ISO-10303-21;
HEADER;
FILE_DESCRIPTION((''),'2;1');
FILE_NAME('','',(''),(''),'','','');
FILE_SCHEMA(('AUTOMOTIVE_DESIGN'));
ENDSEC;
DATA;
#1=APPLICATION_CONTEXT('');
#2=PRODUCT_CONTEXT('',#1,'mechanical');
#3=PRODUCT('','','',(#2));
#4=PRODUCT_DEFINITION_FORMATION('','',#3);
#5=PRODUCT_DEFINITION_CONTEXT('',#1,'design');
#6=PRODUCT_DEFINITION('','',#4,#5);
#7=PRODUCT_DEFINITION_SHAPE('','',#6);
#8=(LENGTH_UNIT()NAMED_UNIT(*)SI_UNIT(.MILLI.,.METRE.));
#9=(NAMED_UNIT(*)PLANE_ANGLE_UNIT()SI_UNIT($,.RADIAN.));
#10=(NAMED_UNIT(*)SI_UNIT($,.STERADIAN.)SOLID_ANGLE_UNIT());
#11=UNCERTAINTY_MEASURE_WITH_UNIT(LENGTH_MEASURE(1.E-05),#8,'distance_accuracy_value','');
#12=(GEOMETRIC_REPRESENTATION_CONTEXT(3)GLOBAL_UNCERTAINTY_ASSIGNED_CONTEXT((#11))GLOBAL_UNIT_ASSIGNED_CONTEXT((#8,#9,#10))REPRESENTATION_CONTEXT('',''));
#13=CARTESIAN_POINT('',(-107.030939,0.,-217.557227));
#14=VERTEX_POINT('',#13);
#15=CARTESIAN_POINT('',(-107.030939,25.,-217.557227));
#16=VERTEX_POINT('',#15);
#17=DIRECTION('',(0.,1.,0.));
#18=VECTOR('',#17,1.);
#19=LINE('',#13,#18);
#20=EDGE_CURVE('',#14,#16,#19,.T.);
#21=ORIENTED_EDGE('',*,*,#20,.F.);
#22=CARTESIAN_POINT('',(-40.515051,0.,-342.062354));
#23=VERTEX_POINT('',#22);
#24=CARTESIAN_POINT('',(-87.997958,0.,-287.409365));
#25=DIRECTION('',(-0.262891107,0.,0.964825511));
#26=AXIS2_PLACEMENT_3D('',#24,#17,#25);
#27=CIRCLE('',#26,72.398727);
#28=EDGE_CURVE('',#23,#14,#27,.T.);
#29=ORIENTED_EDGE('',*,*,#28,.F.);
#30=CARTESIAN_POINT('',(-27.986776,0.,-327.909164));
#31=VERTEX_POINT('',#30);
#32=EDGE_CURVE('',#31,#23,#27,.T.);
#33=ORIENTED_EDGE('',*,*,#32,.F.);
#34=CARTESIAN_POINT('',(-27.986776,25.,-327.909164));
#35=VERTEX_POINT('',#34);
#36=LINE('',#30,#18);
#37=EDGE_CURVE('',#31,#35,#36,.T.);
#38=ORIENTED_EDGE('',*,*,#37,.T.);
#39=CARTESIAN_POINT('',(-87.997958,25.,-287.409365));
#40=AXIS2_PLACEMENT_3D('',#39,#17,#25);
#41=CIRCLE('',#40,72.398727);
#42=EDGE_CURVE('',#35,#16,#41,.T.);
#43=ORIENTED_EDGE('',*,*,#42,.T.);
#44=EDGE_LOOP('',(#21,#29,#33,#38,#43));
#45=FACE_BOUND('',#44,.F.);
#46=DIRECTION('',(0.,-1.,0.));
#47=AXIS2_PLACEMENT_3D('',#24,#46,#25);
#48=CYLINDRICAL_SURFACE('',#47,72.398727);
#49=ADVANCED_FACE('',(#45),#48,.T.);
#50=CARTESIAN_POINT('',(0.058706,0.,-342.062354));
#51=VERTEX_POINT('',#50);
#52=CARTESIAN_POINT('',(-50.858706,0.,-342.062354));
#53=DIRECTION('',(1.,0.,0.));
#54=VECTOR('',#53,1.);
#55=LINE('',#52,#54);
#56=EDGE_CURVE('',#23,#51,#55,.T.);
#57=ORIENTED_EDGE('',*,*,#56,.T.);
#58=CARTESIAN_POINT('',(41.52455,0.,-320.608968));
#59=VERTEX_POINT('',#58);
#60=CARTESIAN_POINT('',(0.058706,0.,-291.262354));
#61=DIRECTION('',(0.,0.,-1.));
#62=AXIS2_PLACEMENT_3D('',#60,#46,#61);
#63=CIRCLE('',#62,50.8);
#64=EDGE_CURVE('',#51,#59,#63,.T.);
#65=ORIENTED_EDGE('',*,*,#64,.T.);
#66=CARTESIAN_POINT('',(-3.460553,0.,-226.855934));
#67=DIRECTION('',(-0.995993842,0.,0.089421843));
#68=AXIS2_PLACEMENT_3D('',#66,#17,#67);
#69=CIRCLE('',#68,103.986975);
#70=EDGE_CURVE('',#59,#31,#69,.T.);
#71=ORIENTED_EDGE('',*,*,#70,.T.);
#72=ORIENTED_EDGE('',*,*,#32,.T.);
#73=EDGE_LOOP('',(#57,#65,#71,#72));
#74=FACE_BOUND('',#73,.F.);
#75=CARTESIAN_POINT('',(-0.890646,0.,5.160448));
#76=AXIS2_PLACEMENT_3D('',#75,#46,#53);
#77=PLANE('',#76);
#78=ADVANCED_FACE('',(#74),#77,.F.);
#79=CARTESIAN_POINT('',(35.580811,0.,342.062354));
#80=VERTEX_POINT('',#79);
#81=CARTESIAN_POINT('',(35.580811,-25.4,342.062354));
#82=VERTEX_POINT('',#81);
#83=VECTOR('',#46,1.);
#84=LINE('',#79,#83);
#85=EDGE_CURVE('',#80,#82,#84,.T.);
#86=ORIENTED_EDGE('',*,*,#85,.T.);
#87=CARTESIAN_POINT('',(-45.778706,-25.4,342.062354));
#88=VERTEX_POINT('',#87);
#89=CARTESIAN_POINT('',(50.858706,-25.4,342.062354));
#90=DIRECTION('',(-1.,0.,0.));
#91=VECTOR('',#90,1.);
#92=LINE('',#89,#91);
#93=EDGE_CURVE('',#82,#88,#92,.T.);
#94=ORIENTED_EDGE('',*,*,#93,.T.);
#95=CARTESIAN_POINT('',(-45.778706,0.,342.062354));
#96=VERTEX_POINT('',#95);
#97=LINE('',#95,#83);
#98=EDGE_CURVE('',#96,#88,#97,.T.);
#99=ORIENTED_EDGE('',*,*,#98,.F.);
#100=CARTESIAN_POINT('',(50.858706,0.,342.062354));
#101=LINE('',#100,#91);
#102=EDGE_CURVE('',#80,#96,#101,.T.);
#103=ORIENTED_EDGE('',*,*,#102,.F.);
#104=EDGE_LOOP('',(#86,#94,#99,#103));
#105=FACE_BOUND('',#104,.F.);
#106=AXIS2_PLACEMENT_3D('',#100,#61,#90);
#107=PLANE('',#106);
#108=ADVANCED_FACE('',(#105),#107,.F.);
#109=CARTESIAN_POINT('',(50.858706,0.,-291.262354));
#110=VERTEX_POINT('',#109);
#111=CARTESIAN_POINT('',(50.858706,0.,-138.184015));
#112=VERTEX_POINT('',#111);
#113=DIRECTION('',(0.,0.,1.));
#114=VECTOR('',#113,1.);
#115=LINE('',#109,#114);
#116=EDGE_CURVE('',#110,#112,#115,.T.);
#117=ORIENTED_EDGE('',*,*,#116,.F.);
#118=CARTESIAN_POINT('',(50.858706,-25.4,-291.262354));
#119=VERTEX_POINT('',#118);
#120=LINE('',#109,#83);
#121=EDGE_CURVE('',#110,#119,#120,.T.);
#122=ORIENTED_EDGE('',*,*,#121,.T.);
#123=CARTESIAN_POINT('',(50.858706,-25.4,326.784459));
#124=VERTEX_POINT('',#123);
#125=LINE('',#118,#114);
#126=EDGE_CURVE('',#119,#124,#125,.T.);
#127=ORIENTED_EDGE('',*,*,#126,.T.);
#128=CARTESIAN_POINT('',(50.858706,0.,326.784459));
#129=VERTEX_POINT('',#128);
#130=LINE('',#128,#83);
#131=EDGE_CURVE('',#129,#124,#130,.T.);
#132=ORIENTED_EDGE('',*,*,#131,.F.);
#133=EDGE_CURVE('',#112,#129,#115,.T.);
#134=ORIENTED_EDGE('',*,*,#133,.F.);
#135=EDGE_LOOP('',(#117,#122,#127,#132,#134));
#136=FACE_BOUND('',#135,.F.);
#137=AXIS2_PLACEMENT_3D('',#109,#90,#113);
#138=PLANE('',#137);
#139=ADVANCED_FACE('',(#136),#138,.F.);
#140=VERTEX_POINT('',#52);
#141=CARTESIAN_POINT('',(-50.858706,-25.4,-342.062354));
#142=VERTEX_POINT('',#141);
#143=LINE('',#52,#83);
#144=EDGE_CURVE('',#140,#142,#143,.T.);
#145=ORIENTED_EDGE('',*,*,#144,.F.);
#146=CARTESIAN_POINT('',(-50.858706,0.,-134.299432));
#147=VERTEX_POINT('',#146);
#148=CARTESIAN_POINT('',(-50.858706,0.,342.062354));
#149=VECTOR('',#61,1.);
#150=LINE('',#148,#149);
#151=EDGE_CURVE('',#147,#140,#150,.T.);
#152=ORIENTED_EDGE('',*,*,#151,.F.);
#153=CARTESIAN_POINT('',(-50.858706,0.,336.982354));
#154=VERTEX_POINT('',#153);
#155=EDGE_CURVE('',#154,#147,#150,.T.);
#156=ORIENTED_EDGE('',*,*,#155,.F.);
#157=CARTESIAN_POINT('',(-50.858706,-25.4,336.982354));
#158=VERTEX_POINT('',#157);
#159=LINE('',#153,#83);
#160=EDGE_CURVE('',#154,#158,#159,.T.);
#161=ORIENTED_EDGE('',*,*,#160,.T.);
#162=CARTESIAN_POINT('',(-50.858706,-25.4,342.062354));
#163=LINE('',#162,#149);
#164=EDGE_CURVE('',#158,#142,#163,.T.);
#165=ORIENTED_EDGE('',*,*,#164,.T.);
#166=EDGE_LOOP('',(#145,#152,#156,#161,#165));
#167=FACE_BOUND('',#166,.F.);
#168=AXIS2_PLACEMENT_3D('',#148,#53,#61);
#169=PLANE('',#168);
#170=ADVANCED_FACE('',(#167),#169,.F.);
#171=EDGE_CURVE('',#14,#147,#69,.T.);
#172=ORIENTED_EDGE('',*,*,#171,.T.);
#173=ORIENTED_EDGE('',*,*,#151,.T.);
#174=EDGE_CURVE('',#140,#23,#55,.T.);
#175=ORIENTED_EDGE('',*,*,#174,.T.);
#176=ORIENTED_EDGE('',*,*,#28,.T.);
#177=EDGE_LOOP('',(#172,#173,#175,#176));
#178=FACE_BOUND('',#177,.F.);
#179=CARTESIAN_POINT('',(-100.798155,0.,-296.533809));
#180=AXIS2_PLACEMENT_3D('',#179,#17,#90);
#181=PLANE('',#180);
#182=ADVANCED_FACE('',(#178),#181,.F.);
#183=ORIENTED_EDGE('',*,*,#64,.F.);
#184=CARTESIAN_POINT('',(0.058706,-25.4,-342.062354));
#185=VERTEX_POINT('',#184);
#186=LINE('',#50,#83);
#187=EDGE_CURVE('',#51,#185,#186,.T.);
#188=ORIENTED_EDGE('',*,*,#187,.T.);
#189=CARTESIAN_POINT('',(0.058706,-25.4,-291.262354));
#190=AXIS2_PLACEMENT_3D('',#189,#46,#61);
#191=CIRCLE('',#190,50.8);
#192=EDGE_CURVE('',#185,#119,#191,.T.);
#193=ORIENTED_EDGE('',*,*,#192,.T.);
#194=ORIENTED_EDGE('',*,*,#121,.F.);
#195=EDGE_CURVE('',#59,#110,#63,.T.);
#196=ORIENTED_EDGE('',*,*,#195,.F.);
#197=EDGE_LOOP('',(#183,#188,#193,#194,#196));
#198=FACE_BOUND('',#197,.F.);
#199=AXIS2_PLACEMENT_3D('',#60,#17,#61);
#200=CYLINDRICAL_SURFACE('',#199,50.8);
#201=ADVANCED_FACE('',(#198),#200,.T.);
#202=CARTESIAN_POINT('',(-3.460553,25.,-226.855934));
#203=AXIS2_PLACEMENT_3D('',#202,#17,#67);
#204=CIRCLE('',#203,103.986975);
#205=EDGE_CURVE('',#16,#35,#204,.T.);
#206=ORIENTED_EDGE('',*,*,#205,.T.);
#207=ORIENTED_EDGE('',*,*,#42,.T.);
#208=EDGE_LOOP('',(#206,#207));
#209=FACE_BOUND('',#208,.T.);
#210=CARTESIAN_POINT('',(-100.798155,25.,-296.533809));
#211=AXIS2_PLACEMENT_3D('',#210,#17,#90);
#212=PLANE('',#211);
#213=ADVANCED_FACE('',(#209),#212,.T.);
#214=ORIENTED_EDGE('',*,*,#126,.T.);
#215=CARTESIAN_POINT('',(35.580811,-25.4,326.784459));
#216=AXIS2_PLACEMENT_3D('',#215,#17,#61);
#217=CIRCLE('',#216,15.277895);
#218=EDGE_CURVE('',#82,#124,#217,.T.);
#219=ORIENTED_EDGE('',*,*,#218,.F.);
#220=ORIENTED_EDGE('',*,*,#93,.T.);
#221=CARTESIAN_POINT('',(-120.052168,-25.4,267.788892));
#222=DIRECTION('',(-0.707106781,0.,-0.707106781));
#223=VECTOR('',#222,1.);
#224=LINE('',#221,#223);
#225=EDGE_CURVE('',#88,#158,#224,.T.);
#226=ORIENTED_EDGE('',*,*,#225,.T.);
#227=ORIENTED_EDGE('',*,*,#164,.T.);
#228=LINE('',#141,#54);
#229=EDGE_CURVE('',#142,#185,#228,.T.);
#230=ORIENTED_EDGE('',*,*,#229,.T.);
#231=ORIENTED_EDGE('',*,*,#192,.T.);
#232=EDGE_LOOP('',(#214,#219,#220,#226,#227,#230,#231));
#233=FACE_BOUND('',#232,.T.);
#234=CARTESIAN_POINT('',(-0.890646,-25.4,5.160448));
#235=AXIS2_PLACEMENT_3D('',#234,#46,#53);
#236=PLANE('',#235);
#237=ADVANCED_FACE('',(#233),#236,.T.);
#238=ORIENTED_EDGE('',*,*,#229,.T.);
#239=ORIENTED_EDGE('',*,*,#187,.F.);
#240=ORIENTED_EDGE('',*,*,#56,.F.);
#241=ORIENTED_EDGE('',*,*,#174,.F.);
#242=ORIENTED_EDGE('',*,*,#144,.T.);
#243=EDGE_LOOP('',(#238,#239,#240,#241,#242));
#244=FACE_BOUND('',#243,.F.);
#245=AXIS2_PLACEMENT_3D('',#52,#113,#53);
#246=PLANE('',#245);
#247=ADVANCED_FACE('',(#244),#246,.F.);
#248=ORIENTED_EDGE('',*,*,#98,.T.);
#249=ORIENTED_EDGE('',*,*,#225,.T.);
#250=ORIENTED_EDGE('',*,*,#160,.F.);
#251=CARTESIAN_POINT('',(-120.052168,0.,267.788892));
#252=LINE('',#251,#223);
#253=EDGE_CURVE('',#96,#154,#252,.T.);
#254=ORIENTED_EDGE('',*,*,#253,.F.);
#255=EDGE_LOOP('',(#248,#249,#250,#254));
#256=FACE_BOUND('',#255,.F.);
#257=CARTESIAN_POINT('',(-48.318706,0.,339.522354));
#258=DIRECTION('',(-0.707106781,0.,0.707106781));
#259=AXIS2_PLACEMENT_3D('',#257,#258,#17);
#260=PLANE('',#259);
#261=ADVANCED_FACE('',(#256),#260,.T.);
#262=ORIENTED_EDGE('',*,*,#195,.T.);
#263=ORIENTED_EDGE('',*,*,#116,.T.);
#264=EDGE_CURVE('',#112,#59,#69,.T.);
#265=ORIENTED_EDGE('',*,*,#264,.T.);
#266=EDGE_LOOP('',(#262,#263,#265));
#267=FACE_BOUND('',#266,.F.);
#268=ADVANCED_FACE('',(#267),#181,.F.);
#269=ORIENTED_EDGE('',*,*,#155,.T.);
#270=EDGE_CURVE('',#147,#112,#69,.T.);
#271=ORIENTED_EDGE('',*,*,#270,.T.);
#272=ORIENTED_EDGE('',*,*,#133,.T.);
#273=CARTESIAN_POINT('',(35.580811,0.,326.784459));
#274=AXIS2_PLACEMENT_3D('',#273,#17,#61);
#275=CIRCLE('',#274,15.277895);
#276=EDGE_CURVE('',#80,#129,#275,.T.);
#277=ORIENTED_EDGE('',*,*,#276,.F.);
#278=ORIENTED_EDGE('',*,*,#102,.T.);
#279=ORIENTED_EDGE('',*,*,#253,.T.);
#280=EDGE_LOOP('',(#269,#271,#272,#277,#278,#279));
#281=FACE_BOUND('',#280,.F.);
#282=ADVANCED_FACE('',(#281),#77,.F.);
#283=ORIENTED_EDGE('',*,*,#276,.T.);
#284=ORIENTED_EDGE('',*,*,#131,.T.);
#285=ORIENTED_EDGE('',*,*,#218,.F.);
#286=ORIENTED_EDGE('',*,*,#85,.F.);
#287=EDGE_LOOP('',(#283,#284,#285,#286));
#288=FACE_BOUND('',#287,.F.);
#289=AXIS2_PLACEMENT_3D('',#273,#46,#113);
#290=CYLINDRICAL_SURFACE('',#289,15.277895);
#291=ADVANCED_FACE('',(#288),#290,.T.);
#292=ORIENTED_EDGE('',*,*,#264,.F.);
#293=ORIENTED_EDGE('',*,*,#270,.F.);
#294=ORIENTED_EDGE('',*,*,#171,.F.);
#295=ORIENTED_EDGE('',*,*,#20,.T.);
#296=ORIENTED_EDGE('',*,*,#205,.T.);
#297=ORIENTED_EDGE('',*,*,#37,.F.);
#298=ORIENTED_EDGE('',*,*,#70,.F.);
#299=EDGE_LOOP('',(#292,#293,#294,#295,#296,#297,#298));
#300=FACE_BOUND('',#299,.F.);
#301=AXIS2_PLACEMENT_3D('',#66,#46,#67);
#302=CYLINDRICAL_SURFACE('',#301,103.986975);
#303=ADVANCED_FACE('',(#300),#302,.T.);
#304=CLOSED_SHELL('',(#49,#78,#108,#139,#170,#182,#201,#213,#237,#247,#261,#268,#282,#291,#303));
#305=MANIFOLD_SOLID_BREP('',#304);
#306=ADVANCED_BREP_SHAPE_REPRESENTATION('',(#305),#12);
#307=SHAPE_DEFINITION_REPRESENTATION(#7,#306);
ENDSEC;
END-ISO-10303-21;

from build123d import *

# Parameters (mm, degrees)
F1_DEPTH = 25.4
F2_SIZE  = 5.08
F3_R     = 15.2778949267
F5_DEPTH = 25


with BuildPart() as f1:
    # F0 (on Front) → F1 (new body)
    with BuildSketch(Plane.XZ):
        with BuildLine():
            Line((50.8587062359, 342.0623540878), (-50.8587062359, 342.0623540878))
            Line((-50.8587062359, 342.0623540878), (-50.8587062359, -342.0623540878))
            Line((-50.8587062359, -342.0623540878), (0.0587062359, -342.0623540878))
            ThreePointArc((0.0587062359, -342.0623540878), (35.9797307202, -327.1833785721), (50.8587062359, -291.2623540878))
            Line((50.8587062359, -291.2623540878), (50.8587062359, 342.0623540878))
        make_face()
    extrude(amount=F1_DEPTH)

    # F2
    f2_edges = [f1.edges().sort_by_distance(p)[0] for p in [
        (-50.858706, -12.7, 342.062354),
    ]]
    chamfer(f2_edges, length=F2_SIZE)

    # F3
    f3_edges = [f1.edges().sort_by_distance(p)[0] for p in [
        (50.858706, -12.7, 342.062354),
    ]]
    fillet(f3_edges, radius=F3_R)

    # F4 (on face) → F5 (join)
    with BuildSketch(Plane(origin=(0, 0, 0), x_dir=(-1, 0, 0), z_dir=(0, 1, 0))):
        with BuildLine():
            ThreePointArc((27.986776288, -327.9091639399), (109.1739171381, -356.6419759562), (160.3966848346, -287.4093651772))
            ThreePointArc((160.3966848346, -287.4093651772), (145.5285553941, -243.4570500067), (107.0309394681, -217.5572266497))
            ThreePointArc((107.0309394681, -217.5572266497), (107.3433284277, -222.2019166399), (107.4475276889, -226.8559336662))
            ThreePointArc((107.4475276889, -226.8559336662), (85.2031326925, -291.1322247111), (27.986776288, -327.9091639399))
        make_face()
        with BuildLine():
            ThreePointArc((107.4475276889, -226.8559336662), (107.3433284277, -222.2019166399), (107.0309394681, -217.5572266497))
            ThreePointArc((107.0309394681, -217.5572266497), (29.1405817858, -245.2503223082), (27.986776288, -327.9091639399))
            ThreePointArc((27.986776288, -327.9091639399), (85.2031326925, -291.1322247111), (107.4475276889, -226.8559336662))
        make_face()
        with BuildLine():
            ThreePointArc((27.986776288, -327.9091639399), (29.1405817858, -245.2503223082), (107.0309394681, -217.5572266497))
            ThreePointArc((107.0309394681, -217.5572266497), (-81.0768529773, -166.3025021553), (27.986776288, -327.9091639399))
        make_face()
    extrude(amount=F5_DEPTH)


solid = f1.part
